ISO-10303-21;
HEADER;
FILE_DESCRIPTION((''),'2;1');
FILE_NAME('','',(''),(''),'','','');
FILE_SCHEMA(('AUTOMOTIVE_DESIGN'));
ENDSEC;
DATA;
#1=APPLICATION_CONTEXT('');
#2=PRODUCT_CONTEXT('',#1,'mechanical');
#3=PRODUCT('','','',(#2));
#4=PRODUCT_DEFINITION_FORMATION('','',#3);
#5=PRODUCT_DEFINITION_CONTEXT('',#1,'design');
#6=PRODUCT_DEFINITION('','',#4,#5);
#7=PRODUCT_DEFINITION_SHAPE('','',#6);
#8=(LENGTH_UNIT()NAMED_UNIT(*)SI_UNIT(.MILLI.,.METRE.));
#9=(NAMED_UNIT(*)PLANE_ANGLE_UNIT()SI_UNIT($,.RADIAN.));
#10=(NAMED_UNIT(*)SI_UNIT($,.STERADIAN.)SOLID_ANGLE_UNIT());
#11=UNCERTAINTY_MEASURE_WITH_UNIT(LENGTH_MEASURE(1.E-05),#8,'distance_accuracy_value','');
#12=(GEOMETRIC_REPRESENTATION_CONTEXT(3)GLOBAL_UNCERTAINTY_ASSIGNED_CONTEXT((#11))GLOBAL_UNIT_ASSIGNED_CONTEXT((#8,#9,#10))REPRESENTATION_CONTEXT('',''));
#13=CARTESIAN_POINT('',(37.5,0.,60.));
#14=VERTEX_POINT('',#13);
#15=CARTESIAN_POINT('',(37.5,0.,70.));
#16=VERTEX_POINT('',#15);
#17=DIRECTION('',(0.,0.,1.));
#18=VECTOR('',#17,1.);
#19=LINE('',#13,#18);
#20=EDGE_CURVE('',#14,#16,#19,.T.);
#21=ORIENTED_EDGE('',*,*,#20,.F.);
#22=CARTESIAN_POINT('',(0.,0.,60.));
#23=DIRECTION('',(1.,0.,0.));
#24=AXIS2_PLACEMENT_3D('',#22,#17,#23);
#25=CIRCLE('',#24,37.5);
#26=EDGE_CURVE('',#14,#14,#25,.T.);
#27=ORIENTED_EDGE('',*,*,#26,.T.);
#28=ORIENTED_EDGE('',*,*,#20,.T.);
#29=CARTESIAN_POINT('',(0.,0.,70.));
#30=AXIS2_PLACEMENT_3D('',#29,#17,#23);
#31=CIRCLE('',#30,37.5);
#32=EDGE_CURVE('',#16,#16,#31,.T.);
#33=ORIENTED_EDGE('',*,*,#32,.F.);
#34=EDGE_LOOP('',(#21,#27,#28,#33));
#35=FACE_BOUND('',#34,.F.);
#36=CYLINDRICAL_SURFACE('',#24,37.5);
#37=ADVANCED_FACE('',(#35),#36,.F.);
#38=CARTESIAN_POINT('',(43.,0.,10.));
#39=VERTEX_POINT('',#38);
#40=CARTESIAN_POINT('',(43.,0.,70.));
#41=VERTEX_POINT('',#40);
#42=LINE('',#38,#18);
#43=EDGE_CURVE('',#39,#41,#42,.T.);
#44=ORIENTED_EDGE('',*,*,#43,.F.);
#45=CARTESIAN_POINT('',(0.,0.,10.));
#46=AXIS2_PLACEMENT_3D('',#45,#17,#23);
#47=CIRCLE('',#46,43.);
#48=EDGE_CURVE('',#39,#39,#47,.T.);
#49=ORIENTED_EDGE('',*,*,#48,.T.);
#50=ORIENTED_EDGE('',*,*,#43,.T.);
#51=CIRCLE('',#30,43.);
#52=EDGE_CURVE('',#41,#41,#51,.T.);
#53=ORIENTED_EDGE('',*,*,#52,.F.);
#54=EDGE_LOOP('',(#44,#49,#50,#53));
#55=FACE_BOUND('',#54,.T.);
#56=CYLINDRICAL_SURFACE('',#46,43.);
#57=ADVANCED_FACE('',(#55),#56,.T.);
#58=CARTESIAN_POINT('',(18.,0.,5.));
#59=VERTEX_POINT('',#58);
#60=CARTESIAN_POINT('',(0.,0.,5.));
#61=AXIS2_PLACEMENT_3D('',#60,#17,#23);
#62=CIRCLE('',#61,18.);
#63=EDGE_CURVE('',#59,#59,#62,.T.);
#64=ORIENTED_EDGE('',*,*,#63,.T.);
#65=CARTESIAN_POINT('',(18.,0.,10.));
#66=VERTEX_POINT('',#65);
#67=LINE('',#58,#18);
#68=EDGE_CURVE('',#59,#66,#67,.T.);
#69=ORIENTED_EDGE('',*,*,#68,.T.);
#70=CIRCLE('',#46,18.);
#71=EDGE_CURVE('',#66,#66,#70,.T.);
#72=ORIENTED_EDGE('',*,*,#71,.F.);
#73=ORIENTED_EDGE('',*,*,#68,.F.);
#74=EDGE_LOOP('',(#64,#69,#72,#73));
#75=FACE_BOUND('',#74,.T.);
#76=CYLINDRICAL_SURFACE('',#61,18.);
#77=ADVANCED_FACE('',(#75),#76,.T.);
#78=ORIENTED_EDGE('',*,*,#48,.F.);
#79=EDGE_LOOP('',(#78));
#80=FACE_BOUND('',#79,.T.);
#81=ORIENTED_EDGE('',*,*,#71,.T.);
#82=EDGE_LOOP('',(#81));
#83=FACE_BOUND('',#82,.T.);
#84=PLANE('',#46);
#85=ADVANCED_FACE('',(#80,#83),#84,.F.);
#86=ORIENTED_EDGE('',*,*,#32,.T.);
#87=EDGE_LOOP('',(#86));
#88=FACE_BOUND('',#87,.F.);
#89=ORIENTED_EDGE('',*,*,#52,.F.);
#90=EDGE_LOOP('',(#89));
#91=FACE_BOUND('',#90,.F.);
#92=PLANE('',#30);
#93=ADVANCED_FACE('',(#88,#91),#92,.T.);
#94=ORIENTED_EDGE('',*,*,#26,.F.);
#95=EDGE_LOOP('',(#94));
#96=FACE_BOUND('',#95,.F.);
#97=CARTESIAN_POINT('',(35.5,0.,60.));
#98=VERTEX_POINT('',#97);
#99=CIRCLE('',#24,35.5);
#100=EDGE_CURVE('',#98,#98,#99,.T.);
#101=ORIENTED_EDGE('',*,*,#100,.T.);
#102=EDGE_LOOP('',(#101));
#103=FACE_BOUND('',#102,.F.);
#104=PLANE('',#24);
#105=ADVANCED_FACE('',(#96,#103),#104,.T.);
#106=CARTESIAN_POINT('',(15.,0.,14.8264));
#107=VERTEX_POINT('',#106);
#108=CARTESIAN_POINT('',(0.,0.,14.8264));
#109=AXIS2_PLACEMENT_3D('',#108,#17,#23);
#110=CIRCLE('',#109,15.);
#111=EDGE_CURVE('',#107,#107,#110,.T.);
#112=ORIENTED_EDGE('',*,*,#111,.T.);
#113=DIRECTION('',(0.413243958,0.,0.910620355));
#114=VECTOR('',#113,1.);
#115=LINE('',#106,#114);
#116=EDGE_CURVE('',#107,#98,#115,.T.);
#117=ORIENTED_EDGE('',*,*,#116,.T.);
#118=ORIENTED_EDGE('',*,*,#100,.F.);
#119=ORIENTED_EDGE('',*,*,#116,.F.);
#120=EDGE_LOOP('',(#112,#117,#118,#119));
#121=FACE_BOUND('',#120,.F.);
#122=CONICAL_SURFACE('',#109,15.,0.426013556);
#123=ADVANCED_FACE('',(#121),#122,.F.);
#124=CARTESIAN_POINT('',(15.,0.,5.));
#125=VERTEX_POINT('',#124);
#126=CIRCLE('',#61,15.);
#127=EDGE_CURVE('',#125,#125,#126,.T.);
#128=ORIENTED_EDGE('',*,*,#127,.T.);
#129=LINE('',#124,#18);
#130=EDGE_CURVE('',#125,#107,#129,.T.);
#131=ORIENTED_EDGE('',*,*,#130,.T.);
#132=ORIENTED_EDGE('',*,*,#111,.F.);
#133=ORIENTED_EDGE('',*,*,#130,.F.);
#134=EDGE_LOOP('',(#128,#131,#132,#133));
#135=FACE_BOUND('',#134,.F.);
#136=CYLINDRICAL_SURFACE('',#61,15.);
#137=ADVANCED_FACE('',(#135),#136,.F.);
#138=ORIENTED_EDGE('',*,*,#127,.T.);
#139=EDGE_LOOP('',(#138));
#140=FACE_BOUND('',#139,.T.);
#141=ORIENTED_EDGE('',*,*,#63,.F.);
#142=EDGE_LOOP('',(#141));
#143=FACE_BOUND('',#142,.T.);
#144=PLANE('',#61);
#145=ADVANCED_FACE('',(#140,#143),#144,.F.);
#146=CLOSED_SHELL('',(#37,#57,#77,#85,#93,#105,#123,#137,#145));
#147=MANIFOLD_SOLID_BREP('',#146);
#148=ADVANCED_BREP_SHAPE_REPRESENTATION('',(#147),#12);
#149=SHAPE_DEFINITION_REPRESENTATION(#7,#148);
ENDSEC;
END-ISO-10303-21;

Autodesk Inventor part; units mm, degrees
ref_plane "YZ Plane" through (0, 0, 0) normal (1, 0, 0) x (0, 1, 0)
ref_plane "XZ Plane" through (0, 0, 0) normal (0, 1, 0) x (-1, 0, 0)
ref_plane "XY Plane" through (0, 0, 0) normal (0, 0, 1) x (1, 0, 0)
sketch "Esquisse2" plane through (0, 0, 0) normal (0, 1, 0) x (-1, 0, 0)
  line L0 (0, 0) -> (0, 53.3255)
  line L1 (-15, 5) -> (-18, 5)
  line L2 (-18, 5) -> (-18, 10)
  line L3 (8.6, 0) -> (-51.6, 0) construction
  line L4 (-15, 5) -> (-15, 14.8264)
  line L5 (-15, 14.8264) -> (-35.5, 60)
  line L6 (-35.5, 60) -> (-37.5, 60)
  line L7 (-37.5, 60) -> (-37.5, 70)
  line L8 (-37.5, 70) -> (-43, 70)
  line L9 (-18, 10) -> (-43, 10)
  line L10 (-43, 10) -> (-43, 70)
  dimension "d0" = 36
  dimension "d2" = 3
  dimension "d3" = 30
  dimension "d4" = 75
  dimension "d6" = 86
  dimension "d7" = 60
  dimension "d8" = 10
  dimension "d9" = 5
  dimension "d10" = 2
  dimension "d11" = 50
  dimension "d12" = 24.409
revolve "Révolution1" add sketch "Esquisse2" angle 360 about axis through (0, 0, 0) along (0, 0, 1)
properties part number "P009_CanonAdaptateurReservoir"
